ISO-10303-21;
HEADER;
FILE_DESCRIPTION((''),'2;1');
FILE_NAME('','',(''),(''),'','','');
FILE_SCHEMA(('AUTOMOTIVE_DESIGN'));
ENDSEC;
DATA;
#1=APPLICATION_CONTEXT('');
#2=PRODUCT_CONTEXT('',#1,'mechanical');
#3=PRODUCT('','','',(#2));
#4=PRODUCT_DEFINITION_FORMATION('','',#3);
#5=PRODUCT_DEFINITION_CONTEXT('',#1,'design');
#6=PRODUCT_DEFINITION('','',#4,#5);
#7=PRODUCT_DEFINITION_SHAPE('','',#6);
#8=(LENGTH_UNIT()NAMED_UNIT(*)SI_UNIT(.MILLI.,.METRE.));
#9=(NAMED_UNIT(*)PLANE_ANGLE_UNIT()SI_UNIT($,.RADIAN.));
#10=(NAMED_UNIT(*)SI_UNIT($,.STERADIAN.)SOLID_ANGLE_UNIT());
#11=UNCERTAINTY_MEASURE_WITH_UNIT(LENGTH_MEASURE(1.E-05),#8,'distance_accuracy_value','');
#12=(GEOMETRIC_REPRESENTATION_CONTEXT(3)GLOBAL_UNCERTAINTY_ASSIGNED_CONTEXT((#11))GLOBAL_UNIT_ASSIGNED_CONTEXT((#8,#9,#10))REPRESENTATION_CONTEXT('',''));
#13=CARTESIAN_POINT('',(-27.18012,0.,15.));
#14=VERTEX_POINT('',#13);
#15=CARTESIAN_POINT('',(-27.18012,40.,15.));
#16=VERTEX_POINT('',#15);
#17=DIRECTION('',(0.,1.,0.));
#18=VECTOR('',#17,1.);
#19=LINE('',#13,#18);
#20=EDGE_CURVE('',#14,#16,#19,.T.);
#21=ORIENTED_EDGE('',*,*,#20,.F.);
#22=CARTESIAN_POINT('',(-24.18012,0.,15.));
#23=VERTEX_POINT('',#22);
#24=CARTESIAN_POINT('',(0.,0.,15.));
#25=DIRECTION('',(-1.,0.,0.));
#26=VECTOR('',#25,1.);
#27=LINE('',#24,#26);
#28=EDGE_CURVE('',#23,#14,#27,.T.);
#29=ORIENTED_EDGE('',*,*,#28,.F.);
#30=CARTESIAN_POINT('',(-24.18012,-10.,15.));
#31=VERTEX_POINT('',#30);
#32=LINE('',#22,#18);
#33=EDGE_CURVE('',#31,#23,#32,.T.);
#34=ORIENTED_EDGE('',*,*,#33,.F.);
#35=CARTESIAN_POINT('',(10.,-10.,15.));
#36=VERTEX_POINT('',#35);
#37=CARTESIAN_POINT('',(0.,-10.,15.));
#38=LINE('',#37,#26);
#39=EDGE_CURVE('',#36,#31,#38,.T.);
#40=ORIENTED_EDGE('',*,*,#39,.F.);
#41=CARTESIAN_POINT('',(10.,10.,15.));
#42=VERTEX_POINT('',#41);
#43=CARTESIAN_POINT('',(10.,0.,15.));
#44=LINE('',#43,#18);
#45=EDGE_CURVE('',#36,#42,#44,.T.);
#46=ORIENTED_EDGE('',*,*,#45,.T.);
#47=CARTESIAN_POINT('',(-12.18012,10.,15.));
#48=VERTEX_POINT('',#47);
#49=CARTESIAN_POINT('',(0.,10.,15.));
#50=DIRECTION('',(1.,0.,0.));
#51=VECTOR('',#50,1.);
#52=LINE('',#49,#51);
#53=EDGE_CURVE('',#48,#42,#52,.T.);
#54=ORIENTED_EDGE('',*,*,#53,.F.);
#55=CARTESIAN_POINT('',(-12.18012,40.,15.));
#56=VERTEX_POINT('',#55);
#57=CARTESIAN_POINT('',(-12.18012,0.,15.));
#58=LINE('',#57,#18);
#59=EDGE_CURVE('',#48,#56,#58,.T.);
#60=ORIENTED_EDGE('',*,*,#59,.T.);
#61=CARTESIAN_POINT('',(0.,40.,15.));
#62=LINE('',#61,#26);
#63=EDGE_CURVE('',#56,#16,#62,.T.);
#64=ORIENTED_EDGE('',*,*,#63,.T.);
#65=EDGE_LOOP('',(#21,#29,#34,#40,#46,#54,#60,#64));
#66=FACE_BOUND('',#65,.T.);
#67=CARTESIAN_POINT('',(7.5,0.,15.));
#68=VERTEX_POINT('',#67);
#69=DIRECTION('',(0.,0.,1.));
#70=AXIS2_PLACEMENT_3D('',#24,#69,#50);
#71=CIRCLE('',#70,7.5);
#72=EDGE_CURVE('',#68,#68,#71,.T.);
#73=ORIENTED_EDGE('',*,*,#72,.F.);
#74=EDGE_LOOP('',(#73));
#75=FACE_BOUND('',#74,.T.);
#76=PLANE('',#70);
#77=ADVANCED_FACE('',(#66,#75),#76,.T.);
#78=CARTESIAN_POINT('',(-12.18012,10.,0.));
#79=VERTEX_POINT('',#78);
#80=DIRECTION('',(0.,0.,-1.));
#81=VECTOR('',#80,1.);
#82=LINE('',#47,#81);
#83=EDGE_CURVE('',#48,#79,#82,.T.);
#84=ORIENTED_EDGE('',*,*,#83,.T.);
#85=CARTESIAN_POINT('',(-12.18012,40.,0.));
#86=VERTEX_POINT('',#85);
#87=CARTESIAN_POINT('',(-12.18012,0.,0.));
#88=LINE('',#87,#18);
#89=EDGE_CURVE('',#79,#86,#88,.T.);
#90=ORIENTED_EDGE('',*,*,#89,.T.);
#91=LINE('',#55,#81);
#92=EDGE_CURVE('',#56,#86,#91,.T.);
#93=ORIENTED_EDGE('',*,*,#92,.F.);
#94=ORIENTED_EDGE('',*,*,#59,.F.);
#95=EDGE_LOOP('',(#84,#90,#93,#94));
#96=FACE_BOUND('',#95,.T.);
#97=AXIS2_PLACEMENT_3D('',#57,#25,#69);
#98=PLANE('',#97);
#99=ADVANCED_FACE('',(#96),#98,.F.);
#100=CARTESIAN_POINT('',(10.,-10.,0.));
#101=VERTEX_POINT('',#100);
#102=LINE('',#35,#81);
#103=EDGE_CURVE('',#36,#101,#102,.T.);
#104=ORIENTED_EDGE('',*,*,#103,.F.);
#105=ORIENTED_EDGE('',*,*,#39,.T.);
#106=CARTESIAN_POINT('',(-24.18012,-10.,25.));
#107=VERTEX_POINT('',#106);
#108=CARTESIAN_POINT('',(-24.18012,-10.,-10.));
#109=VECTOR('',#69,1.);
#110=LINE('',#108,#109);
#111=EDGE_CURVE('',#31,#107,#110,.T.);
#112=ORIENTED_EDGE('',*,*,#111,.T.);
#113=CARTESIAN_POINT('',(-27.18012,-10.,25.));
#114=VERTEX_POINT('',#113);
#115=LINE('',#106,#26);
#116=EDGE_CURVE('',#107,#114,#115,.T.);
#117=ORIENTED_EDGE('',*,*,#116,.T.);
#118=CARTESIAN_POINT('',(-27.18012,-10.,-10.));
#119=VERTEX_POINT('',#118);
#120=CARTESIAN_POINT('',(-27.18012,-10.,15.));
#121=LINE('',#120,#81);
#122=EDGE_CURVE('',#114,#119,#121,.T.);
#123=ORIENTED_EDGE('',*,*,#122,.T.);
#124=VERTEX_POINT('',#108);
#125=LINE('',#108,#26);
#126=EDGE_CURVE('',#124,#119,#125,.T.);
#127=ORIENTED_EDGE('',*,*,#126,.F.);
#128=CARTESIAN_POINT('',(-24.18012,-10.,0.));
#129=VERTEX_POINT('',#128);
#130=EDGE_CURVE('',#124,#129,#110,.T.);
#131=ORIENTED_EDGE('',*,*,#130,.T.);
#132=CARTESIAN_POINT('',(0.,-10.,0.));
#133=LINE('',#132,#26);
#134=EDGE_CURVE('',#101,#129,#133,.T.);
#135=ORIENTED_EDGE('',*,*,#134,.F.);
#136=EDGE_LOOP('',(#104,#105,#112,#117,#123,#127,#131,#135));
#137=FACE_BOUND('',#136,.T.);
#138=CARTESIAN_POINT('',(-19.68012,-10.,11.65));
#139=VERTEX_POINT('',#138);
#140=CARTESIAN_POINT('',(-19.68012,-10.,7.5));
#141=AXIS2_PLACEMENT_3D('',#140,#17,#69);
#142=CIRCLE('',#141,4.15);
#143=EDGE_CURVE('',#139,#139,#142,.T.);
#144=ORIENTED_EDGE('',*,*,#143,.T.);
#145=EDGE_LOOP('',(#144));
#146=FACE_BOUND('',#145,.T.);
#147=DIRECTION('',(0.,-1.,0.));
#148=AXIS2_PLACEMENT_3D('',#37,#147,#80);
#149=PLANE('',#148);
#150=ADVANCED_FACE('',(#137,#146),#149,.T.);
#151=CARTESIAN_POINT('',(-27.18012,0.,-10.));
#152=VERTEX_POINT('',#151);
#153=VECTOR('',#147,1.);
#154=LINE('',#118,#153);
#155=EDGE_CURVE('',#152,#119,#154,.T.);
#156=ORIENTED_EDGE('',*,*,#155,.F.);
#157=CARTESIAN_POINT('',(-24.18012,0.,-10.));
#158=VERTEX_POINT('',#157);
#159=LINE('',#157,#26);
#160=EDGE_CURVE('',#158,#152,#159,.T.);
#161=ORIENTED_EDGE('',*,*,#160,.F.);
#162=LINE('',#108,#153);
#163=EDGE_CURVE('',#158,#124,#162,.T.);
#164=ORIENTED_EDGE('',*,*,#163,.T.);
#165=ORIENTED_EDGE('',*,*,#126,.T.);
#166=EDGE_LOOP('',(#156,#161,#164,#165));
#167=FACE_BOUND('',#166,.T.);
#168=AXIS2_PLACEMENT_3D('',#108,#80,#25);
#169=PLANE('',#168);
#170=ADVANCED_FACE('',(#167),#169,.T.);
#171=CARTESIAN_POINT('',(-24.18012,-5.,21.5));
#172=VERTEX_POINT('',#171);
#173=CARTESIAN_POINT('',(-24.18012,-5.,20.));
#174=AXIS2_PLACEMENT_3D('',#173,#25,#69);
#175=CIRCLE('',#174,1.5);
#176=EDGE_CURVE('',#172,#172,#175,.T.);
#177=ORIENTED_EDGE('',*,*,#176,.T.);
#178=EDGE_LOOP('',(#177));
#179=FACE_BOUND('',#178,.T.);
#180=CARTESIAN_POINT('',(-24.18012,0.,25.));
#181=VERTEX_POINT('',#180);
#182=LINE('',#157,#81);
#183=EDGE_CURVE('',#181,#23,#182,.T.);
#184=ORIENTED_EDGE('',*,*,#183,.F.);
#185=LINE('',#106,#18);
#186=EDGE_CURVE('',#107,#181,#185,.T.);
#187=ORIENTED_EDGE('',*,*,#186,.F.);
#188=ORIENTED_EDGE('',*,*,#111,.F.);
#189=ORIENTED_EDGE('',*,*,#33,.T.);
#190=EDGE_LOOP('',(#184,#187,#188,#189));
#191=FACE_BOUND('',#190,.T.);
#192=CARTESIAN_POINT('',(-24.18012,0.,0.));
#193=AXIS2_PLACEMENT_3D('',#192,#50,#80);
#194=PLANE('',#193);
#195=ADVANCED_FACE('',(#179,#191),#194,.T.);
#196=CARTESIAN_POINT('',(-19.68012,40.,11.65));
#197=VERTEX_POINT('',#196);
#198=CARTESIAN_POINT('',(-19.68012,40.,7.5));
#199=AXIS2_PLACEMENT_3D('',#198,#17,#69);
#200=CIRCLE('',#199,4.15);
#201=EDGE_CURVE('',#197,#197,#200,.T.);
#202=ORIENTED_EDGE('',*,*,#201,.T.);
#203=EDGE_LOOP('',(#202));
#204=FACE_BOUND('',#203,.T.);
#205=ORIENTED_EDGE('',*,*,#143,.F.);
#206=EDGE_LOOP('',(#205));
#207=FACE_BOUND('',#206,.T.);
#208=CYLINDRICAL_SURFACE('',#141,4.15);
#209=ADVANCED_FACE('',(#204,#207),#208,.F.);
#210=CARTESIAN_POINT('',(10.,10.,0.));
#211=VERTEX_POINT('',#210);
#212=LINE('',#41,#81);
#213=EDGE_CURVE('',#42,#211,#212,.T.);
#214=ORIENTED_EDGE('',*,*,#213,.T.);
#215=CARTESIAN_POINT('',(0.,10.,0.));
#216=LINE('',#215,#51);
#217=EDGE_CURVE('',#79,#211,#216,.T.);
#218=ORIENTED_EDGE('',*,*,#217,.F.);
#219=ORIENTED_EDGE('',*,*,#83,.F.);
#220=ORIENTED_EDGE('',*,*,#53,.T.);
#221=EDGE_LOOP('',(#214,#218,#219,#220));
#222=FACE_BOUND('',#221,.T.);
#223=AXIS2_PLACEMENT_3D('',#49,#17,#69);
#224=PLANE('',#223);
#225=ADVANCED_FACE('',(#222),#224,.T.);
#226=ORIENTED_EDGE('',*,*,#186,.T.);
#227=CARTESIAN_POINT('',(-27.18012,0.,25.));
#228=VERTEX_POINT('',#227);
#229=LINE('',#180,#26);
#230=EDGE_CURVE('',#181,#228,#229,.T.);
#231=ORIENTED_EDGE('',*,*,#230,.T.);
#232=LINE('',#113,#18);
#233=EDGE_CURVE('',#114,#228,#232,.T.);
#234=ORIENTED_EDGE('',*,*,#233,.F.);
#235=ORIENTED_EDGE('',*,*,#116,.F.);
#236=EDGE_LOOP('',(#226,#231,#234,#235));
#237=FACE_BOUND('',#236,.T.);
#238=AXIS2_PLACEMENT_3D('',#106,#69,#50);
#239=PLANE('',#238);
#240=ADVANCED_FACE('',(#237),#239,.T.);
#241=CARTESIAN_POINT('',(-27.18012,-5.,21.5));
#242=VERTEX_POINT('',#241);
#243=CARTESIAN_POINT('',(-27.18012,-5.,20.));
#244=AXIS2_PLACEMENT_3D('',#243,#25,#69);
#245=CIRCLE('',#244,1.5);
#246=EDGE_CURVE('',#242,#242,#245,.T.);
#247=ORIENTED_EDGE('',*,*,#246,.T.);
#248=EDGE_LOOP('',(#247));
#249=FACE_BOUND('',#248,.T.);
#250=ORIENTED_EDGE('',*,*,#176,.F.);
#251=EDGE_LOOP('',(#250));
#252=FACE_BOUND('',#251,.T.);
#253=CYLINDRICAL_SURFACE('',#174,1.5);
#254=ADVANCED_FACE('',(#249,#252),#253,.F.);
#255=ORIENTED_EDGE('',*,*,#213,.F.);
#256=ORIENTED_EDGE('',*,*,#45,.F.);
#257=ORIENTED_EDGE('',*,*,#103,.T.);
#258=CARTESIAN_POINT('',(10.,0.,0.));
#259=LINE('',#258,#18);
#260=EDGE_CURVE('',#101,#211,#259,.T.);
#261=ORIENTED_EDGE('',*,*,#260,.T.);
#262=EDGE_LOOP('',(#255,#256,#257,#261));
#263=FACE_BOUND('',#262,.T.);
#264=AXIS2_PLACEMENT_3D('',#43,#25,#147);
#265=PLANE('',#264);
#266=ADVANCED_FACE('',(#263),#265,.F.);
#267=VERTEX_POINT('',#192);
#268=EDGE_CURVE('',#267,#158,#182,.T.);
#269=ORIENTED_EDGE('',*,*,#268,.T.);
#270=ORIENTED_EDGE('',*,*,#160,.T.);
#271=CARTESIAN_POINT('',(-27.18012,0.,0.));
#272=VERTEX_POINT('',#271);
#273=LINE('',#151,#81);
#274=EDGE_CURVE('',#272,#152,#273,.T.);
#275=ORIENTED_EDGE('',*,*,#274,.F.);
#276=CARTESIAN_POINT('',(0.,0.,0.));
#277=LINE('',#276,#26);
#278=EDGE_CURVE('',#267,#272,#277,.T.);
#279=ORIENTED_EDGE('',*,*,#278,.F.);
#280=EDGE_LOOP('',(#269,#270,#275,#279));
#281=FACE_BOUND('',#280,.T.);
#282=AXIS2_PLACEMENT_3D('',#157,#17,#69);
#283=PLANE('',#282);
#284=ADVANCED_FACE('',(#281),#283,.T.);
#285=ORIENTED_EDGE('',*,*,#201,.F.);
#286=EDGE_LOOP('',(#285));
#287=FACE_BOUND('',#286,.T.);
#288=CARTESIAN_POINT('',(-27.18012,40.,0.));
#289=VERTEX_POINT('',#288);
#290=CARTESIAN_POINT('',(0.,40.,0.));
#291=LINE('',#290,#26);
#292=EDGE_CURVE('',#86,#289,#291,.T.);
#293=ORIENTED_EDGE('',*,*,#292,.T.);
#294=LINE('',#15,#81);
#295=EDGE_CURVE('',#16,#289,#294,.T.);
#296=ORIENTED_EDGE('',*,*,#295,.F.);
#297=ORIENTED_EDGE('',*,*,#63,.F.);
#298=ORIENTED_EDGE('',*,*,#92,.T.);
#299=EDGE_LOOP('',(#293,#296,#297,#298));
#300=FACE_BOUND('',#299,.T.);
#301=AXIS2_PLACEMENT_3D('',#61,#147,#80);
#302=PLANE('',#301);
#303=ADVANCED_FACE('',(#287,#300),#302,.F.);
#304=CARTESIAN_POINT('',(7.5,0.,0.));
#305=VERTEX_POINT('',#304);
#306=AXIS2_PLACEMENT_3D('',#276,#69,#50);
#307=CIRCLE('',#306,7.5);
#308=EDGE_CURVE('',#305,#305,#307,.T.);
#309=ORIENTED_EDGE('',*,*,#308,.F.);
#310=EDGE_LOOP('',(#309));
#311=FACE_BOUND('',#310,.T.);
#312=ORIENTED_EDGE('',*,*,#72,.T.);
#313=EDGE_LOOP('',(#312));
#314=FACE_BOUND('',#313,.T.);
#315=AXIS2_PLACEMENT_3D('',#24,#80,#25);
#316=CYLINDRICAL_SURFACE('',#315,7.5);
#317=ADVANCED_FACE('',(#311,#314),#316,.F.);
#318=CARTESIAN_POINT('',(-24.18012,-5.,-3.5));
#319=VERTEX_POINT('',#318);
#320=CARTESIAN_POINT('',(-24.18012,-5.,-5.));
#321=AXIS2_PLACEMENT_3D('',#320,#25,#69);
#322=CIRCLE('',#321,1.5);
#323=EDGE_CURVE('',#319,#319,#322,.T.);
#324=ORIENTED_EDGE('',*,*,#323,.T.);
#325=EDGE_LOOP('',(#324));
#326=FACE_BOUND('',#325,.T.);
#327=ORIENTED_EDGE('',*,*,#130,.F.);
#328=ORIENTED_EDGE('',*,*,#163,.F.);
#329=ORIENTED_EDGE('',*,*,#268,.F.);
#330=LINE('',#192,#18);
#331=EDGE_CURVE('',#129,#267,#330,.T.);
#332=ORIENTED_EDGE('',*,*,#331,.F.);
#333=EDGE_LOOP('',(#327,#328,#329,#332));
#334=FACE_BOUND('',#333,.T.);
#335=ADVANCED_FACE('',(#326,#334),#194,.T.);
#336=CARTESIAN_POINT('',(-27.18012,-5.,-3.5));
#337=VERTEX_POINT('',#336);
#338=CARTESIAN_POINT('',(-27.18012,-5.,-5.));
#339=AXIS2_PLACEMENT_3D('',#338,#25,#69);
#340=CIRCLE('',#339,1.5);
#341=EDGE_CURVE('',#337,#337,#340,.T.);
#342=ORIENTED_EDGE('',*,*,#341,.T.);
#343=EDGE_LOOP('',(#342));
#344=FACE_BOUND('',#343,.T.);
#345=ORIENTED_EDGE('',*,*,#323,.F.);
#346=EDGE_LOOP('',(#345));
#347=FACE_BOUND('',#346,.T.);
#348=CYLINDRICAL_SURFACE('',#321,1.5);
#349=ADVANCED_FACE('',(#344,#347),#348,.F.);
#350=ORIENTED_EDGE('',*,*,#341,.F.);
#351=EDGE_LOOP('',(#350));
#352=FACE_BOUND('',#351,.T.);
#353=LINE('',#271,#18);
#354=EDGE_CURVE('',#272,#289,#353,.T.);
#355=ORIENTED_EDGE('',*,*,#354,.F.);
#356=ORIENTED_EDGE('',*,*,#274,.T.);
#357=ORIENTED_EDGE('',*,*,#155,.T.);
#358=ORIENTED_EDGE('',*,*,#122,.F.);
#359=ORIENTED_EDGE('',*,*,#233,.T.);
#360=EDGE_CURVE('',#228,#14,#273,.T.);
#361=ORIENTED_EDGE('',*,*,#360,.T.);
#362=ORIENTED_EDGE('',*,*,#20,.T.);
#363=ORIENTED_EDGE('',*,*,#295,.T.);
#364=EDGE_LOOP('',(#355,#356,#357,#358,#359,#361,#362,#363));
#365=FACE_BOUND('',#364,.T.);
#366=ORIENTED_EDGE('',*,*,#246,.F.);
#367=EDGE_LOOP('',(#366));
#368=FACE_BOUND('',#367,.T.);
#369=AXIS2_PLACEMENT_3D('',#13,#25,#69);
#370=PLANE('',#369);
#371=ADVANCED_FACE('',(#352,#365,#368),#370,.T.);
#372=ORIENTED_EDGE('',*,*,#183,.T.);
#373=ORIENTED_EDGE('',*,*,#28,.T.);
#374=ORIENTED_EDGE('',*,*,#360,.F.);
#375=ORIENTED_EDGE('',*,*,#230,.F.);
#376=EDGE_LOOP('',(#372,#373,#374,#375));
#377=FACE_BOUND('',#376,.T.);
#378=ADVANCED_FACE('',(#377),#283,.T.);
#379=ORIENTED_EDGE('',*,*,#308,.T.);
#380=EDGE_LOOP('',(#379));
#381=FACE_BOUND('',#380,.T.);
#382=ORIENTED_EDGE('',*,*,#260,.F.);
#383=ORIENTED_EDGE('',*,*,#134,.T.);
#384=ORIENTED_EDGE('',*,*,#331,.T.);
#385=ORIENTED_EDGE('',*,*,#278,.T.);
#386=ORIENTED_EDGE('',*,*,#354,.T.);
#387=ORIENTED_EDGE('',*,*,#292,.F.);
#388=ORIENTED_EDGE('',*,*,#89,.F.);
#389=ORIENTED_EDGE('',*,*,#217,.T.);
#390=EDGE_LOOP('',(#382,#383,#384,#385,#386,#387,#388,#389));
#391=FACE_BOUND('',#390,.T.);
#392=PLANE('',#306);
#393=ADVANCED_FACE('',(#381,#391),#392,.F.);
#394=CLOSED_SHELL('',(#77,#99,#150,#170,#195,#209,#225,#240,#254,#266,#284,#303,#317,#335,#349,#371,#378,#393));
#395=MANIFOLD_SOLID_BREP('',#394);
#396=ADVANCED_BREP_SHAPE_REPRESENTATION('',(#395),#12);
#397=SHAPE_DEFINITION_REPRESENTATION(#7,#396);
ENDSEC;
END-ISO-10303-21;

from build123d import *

# Parameters (mm, degrees)
SKETCH1_R           = 7.5
BOSS_EXTRUDE1_DEPTH = 15
SKETCH2_R           = 4.15
CUT_EXTRUDE1_DEPTH  = 59.853707622
SKETCH3_W           = 35
SKETCH3_H           = 10
SKETCH3_R           = 1.5
BOSS_EXTRUDE2_DEPTH = 3


with BuildPart() as part:
    # Sketch1 → Boss-Extrude1 (new body)
    with BuildSketch(Plane.XY):
        Polygon((-12.180119589, 10), (-12.180119589, 40), (-27.180119589, 40), (-27.180119589, -10), (10, -10), (10, 10), align=None)
        Circle(SKETCH1_R, mode=Mode.SUBTRACT)
    extrude(amount=BOSS_EXTRUDE1_DEPTH)

    # Sketch2 → Cut-Extrude1 (cut, through all)
    with BuildSketch(Plane(origin=(0, 40, 0), x_dir=(1, 0, 0), z_dir=(0, 1, 0))):
        with Locations(Location((-19.680119589, -7.5, 0), (0, 0, 270))):
            Circle(SKETCH2_R)
    extrude(amount=-CUT_EXTRUDE1_DEPTH, mode=Mode.SUBTRACT)

    # Sketch3 → Boss-Extrude2 (add)
    with BuildSketch(Plane.ZY.offset(27.180119589)):
        with Locations((7.5, -5)):
            Rectangle(SKETCH3_W, SKETCH3_H)
        with Locations((-5, -5)):
            Circle(SKETCH3_R, mode=Mode.SUBTRACT)
        with Locations((20, -5)):
            Circle(SKETCH3_R, mode=Mode.SUBTRACT)
    extrude(amount=-BOSS_EXTRUDE2_DEPTH)


solid = part.part
